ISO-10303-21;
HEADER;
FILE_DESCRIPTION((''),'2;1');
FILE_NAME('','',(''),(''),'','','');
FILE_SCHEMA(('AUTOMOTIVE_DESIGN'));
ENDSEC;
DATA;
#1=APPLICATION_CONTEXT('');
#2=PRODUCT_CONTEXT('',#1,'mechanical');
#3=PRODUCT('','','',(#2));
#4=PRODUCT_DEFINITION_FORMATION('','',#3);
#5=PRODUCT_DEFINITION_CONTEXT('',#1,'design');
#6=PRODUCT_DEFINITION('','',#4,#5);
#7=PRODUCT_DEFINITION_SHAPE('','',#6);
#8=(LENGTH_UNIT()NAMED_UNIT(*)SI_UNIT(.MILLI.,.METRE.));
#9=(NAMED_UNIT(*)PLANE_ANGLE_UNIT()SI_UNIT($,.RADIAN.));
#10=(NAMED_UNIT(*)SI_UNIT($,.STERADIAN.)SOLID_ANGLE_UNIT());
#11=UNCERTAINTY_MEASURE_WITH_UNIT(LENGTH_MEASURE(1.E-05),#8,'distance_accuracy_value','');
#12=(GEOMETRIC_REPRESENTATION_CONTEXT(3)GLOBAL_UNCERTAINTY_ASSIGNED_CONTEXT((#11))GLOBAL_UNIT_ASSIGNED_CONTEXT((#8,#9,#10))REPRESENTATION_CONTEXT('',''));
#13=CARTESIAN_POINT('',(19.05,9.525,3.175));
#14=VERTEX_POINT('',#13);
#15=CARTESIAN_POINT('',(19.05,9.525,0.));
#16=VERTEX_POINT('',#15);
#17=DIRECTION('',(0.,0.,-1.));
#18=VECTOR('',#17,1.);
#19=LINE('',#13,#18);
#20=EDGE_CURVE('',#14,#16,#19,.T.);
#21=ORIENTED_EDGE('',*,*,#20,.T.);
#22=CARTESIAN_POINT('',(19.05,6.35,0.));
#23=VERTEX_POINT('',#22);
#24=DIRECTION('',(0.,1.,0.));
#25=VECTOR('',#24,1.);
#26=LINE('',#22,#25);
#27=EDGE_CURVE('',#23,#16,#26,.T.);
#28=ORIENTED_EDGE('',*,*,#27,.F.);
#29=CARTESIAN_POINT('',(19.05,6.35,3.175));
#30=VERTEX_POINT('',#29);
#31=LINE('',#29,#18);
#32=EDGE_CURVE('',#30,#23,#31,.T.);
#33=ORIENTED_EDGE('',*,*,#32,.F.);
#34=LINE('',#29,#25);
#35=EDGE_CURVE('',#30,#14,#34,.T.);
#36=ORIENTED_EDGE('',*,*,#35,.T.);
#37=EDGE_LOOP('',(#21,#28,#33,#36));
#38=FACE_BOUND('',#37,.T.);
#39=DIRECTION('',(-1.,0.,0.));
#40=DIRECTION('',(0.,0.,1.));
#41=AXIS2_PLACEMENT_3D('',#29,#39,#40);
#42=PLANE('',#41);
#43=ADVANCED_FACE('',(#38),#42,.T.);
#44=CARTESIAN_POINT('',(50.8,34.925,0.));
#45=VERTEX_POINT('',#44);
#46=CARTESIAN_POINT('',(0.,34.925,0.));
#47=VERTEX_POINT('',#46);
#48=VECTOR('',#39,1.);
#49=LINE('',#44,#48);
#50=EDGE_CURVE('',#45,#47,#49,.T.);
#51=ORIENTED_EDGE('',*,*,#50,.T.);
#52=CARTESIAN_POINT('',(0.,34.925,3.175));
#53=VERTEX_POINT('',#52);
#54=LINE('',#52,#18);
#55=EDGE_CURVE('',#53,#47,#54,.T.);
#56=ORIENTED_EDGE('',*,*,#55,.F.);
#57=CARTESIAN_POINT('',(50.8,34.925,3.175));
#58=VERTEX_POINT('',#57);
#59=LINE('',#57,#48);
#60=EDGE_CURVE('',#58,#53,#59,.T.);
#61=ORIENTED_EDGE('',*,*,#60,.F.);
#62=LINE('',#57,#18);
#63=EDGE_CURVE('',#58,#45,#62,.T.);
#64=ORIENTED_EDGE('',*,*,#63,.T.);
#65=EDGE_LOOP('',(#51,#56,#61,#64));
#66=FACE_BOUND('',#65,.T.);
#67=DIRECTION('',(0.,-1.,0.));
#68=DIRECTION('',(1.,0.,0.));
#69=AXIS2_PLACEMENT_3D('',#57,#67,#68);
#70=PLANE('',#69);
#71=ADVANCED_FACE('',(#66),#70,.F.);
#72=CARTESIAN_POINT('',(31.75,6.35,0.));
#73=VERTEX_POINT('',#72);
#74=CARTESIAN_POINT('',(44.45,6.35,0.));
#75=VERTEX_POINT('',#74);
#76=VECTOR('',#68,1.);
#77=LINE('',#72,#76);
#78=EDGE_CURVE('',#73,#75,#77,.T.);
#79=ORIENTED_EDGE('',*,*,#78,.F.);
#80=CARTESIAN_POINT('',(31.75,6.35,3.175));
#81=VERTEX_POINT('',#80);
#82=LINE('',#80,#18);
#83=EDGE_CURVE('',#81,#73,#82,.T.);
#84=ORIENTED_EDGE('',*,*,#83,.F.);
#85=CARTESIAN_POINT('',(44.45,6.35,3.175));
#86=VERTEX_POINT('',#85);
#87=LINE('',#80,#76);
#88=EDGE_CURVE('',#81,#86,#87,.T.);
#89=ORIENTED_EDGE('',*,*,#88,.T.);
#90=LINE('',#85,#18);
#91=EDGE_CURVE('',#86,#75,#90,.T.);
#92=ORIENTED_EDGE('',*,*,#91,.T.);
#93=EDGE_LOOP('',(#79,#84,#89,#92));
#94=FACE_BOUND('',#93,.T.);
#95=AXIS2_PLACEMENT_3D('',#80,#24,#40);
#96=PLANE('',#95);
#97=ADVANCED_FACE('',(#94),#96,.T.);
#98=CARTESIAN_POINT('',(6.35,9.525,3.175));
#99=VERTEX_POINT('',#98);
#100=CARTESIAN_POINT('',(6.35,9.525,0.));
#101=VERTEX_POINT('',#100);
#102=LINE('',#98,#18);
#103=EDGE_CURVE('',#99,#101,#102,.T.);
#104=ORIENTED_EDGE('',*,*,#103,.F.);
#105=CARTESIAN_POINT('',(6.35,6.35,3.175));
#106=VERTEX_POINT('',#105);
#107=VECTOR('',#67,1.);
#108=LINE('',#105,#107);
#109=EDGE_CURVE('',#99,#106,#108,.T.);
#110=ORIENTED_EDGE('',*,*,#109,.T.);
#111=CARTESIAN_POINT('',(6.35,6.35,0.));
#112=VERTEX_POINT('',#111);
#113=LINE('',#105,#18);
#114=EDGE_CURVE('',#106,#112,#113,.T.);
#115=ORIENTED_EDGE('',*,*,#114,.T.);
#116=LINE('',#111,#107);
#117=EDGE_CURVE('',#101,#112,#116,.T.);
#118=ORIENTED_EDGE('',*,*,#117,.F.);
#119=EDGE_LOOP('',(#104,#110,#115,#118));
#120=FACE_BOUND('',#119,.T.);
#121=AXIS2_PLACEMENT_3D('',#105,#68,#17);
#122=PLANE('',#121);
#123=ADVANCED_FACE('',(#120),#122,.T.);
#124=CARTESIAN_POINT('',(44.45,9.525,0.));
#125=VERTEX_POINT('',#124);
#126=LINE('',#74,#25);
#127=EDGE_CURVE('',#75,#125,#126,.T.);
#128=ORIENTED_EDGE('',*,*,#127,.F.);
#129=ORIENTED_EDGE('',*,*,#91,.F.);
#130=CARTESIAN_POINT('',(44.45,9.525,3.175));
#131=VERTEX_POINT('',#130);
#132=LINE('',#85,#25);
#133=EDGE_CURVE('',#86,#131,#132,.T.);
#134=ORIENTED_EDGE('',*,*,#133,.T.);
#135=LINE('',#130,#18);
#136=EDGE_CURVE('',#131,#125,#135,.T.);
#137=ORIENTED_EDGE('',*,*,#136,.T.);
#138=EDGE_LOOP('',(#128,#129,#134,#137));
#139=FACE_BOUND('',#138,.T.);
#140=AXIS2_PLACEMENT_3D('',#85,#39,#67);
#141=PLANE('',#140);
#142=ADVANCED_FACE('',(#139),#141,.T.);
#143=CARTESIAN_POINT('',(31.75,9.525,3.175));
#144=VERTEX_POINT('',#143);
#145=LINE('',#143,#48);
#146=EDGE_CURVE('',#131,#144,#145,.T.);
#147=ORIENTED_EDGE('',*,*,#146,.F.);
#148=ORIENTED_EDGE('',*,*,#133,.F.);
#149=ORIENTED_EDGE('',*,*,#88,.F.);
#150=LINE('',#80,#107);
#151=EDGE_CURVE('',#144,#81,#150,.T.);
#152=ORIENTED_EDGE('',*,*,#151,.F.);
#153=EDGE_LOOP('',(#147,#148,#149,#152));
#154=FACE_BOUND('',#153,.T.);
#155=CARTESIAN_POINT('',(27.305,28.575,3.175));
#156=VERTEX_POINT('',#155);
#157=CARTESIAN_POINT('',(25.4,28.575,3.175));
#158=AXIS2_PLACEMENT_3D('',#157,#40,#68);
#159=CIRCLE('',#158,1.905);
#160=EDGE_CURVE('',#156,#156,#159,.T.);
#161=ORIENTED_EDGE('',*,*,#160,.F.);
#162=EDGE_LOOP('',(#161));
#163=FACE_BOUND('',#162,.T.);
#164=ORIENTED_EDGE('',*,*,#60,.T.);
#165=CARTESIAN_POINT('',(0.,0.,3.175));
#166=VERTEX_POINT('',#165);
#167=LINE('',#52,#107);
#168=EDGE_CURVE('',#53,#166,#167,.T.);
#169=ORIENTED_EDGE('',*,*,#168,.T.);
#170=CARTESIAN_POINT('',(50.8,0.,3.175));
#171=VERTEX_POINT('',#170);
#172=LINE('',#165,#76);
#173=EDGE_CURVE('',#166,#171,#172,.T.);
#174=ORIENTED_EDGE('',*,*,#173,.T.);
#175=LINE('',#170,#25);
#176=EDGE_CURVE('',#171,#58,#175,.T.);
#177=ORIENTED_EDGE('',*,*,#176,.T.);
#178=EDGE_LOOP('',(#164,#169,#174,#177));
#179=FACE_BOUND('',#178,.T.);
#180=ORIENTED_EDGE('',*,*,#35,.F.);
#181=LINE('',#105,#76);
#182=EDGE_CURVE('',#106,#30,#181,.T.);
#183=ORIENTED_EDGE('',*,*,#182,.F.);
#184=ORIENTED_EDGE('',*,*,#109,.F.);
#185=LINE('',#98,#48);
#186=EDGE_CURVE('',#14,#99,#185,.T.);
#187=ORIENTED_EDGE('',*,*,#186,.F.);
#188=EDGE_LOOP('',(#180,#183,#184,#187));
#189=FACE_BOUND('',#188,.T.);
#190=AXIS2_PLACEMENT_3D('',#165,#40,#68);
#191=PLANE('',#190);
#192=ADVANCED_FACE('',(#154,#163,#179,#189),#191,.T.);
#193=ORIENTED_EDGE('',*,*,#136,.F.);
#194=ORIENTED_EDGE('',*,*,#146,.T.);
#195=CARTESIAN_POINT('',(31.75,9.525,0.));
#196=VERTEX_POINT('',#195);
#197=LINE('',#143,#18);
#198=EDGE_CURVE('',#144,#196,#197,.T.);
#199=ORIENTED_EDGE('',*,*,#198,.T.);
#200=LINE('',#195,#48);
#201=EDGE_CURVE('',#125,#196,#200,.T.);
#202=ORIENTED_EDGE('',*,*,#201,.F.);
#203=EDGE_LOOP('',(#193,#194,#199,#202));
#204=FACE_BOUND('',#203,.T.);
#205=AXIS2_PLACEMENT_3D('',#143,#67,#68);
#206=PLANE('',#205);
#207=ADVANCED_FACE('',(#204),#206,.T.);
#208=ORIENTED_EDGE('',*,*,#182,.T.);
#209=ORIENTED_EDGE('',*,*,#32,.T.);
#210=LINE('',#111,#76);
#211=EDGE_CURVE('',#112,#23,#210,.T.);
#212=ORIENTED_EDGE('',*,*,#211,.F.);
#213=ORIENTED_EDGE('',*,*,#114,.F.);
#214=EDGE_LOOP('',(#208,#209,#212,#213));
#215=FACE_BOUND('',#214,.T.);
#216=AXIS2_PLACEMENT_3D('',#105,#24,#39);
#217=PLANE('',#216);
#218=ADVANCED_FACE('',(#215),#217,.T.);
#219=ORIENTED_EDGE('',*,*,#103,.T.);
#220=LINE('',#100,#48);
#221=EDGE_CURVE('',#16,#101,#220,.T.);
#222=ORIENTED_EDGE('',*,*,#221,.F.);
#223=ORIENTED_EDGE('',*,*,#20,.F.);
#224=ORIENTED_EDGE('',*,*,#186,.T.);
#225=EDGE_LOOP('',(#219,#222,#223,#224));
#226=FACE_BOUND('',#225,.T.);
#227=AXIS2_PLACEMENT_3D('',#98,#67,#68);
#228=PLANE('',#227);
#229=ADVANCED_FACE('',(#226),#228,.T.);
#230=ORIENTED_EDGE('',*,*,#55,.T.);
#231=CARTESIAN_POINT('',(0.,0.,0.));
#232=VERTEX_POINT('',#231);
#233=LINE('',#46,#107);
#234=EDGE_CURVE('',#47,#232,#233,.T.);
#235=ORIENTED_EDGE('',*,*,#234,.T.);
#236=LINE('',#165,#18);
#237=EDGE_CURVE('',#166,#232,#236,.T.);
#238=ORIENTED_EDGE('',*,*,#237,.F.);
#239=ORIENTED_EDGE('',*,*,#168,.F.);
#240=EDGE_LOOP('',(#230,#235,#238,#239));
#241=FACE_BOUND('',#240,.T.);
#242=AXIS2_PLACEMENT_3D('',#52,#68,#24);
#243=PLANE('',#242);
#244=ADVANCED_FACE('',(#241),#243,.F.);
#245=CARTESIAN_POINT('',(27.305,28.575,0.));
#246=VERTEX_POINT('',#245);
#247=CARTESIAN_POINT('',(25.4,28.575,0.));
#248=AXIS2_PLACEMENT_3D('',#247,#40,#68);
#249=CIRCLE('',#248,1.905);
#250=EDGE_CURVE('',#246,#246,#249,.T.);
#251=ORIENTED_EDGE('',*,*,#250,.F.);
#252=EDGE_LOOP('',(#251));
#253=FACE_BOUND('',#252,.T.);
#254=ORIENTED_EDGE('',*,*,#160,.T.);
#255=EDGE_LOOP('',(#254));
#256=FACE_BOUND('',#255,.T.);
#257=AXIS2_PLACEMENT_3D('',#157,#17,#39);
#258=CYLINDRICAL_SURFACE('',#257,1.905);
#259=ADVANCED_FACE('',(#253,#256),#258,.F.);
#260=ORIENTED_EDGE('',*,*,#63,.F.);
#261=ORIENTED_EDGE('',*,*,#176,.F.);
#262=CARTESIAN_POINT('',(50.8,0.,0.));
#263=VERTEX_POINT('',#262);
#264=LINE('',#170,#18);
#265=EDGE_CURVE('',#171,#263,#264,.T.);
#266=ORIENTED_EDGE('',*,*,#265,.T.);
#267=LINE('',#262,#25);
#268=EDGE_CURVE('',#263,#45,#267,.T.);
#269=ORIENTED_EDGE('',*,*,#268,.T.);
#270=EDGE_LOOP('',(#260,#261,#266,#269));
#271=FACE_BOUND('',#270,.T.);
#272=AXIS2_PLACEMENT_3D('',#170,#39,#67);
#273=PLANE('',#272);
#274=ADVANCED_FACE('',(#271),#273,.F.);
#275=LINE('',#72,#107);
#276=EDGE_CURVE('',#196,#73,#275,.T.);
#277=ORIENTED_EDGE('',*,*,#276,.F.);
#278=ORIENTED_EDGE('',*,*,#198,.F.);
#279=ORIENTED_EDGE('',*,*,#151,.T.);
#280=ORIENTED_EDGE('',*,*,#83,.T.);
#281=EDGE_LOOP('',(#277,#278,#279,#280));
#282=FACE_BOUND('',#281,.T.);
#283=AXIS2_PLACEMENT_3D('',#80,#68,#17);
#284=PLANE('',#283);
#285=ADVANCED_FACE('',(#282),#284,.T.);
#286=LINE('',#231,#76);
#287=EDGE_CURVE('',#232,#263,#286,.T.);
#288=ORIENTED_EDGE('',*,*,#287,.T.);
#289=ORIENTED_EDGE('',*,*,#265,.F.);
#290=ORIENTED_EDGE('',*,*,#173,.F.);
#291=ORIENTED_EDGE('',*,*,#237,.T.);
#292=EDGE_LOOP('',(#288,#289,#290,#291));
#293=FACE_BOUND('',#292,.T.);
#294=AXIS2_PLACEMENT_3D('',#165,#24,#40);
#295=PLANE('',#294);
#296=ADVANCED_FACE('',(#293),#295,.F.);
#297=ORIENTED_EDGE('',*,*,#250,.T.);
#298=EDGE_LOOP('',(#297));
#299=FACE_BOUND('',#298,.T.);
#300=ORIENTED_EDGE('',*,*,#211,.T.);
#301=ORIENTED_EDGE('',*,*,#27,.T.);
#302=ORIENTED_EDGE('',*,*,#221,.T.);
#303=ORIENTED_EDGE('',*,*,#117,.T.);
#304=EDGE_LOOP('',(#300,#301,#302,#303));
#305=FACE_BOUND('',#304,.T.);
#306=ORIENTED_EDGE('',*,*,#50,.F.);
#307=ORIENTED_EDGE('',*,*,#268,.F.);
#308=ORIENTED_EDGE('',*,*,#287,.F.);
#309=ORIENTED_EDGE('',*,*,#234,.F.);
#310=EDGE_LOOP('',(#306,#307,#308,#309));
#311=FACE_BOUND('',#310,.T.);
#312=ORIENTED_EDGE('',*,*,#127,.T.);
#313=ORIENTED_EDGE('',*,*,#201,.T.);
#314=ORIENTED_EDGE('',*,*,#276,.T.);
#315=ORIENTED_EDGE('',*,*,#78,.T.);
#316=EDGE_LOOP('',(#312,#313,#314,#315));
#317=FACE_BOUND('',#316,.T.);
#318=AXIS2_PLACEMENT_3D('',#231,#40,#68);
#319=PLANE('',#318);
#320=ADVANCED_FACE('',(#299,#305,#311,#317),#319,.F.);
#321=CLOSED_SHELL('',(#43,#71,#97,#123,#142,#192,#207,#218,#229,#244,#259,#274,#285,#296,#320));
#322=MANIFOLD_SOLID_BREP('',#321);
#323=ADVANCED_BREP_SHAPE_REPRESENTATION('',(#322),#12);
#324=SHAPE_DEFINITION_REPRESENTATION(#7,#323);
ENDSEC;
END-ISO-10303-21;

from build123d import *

# Parameters (mm, degrees)
SKETCH1_W           = 50.8
SKETCH1_H           = 34.925
SKETCH1_R           = 1.905
SKETCH1_W_2         = 12.7
SKETCH1_H_2         = 3.175
BOSS_EXTRUDE1_DEPTH = 3.175


with BuildPart() as part:
    # Sketch1 → Boss-Extrude1 (new body)
    with BuildSketch(Plane.XY):
        with Locations((25.4, 17.4625)):
            Rectangle(SKETCH1_W, SKETCH1_H)
        with Locations((25.4, 28.575)):
            Circle(SKETCH1_R, mode=Mode.SUBTRACT)
        with Locations((12.7, 7.9375)):
            Rectangle(SKETCH1_W_2, SKETCH1_H_2, mode=Mode.SUBTRACT)
        with Locations((38.1, 7.9375)):
            Rectangle(SKETCH1_W_2, SKETCH1_H_2, mode=Mode.SUBTRACT)
    extrude(amount=BOSS_EXTRUDE1_DEPTH)


solid = part.part
